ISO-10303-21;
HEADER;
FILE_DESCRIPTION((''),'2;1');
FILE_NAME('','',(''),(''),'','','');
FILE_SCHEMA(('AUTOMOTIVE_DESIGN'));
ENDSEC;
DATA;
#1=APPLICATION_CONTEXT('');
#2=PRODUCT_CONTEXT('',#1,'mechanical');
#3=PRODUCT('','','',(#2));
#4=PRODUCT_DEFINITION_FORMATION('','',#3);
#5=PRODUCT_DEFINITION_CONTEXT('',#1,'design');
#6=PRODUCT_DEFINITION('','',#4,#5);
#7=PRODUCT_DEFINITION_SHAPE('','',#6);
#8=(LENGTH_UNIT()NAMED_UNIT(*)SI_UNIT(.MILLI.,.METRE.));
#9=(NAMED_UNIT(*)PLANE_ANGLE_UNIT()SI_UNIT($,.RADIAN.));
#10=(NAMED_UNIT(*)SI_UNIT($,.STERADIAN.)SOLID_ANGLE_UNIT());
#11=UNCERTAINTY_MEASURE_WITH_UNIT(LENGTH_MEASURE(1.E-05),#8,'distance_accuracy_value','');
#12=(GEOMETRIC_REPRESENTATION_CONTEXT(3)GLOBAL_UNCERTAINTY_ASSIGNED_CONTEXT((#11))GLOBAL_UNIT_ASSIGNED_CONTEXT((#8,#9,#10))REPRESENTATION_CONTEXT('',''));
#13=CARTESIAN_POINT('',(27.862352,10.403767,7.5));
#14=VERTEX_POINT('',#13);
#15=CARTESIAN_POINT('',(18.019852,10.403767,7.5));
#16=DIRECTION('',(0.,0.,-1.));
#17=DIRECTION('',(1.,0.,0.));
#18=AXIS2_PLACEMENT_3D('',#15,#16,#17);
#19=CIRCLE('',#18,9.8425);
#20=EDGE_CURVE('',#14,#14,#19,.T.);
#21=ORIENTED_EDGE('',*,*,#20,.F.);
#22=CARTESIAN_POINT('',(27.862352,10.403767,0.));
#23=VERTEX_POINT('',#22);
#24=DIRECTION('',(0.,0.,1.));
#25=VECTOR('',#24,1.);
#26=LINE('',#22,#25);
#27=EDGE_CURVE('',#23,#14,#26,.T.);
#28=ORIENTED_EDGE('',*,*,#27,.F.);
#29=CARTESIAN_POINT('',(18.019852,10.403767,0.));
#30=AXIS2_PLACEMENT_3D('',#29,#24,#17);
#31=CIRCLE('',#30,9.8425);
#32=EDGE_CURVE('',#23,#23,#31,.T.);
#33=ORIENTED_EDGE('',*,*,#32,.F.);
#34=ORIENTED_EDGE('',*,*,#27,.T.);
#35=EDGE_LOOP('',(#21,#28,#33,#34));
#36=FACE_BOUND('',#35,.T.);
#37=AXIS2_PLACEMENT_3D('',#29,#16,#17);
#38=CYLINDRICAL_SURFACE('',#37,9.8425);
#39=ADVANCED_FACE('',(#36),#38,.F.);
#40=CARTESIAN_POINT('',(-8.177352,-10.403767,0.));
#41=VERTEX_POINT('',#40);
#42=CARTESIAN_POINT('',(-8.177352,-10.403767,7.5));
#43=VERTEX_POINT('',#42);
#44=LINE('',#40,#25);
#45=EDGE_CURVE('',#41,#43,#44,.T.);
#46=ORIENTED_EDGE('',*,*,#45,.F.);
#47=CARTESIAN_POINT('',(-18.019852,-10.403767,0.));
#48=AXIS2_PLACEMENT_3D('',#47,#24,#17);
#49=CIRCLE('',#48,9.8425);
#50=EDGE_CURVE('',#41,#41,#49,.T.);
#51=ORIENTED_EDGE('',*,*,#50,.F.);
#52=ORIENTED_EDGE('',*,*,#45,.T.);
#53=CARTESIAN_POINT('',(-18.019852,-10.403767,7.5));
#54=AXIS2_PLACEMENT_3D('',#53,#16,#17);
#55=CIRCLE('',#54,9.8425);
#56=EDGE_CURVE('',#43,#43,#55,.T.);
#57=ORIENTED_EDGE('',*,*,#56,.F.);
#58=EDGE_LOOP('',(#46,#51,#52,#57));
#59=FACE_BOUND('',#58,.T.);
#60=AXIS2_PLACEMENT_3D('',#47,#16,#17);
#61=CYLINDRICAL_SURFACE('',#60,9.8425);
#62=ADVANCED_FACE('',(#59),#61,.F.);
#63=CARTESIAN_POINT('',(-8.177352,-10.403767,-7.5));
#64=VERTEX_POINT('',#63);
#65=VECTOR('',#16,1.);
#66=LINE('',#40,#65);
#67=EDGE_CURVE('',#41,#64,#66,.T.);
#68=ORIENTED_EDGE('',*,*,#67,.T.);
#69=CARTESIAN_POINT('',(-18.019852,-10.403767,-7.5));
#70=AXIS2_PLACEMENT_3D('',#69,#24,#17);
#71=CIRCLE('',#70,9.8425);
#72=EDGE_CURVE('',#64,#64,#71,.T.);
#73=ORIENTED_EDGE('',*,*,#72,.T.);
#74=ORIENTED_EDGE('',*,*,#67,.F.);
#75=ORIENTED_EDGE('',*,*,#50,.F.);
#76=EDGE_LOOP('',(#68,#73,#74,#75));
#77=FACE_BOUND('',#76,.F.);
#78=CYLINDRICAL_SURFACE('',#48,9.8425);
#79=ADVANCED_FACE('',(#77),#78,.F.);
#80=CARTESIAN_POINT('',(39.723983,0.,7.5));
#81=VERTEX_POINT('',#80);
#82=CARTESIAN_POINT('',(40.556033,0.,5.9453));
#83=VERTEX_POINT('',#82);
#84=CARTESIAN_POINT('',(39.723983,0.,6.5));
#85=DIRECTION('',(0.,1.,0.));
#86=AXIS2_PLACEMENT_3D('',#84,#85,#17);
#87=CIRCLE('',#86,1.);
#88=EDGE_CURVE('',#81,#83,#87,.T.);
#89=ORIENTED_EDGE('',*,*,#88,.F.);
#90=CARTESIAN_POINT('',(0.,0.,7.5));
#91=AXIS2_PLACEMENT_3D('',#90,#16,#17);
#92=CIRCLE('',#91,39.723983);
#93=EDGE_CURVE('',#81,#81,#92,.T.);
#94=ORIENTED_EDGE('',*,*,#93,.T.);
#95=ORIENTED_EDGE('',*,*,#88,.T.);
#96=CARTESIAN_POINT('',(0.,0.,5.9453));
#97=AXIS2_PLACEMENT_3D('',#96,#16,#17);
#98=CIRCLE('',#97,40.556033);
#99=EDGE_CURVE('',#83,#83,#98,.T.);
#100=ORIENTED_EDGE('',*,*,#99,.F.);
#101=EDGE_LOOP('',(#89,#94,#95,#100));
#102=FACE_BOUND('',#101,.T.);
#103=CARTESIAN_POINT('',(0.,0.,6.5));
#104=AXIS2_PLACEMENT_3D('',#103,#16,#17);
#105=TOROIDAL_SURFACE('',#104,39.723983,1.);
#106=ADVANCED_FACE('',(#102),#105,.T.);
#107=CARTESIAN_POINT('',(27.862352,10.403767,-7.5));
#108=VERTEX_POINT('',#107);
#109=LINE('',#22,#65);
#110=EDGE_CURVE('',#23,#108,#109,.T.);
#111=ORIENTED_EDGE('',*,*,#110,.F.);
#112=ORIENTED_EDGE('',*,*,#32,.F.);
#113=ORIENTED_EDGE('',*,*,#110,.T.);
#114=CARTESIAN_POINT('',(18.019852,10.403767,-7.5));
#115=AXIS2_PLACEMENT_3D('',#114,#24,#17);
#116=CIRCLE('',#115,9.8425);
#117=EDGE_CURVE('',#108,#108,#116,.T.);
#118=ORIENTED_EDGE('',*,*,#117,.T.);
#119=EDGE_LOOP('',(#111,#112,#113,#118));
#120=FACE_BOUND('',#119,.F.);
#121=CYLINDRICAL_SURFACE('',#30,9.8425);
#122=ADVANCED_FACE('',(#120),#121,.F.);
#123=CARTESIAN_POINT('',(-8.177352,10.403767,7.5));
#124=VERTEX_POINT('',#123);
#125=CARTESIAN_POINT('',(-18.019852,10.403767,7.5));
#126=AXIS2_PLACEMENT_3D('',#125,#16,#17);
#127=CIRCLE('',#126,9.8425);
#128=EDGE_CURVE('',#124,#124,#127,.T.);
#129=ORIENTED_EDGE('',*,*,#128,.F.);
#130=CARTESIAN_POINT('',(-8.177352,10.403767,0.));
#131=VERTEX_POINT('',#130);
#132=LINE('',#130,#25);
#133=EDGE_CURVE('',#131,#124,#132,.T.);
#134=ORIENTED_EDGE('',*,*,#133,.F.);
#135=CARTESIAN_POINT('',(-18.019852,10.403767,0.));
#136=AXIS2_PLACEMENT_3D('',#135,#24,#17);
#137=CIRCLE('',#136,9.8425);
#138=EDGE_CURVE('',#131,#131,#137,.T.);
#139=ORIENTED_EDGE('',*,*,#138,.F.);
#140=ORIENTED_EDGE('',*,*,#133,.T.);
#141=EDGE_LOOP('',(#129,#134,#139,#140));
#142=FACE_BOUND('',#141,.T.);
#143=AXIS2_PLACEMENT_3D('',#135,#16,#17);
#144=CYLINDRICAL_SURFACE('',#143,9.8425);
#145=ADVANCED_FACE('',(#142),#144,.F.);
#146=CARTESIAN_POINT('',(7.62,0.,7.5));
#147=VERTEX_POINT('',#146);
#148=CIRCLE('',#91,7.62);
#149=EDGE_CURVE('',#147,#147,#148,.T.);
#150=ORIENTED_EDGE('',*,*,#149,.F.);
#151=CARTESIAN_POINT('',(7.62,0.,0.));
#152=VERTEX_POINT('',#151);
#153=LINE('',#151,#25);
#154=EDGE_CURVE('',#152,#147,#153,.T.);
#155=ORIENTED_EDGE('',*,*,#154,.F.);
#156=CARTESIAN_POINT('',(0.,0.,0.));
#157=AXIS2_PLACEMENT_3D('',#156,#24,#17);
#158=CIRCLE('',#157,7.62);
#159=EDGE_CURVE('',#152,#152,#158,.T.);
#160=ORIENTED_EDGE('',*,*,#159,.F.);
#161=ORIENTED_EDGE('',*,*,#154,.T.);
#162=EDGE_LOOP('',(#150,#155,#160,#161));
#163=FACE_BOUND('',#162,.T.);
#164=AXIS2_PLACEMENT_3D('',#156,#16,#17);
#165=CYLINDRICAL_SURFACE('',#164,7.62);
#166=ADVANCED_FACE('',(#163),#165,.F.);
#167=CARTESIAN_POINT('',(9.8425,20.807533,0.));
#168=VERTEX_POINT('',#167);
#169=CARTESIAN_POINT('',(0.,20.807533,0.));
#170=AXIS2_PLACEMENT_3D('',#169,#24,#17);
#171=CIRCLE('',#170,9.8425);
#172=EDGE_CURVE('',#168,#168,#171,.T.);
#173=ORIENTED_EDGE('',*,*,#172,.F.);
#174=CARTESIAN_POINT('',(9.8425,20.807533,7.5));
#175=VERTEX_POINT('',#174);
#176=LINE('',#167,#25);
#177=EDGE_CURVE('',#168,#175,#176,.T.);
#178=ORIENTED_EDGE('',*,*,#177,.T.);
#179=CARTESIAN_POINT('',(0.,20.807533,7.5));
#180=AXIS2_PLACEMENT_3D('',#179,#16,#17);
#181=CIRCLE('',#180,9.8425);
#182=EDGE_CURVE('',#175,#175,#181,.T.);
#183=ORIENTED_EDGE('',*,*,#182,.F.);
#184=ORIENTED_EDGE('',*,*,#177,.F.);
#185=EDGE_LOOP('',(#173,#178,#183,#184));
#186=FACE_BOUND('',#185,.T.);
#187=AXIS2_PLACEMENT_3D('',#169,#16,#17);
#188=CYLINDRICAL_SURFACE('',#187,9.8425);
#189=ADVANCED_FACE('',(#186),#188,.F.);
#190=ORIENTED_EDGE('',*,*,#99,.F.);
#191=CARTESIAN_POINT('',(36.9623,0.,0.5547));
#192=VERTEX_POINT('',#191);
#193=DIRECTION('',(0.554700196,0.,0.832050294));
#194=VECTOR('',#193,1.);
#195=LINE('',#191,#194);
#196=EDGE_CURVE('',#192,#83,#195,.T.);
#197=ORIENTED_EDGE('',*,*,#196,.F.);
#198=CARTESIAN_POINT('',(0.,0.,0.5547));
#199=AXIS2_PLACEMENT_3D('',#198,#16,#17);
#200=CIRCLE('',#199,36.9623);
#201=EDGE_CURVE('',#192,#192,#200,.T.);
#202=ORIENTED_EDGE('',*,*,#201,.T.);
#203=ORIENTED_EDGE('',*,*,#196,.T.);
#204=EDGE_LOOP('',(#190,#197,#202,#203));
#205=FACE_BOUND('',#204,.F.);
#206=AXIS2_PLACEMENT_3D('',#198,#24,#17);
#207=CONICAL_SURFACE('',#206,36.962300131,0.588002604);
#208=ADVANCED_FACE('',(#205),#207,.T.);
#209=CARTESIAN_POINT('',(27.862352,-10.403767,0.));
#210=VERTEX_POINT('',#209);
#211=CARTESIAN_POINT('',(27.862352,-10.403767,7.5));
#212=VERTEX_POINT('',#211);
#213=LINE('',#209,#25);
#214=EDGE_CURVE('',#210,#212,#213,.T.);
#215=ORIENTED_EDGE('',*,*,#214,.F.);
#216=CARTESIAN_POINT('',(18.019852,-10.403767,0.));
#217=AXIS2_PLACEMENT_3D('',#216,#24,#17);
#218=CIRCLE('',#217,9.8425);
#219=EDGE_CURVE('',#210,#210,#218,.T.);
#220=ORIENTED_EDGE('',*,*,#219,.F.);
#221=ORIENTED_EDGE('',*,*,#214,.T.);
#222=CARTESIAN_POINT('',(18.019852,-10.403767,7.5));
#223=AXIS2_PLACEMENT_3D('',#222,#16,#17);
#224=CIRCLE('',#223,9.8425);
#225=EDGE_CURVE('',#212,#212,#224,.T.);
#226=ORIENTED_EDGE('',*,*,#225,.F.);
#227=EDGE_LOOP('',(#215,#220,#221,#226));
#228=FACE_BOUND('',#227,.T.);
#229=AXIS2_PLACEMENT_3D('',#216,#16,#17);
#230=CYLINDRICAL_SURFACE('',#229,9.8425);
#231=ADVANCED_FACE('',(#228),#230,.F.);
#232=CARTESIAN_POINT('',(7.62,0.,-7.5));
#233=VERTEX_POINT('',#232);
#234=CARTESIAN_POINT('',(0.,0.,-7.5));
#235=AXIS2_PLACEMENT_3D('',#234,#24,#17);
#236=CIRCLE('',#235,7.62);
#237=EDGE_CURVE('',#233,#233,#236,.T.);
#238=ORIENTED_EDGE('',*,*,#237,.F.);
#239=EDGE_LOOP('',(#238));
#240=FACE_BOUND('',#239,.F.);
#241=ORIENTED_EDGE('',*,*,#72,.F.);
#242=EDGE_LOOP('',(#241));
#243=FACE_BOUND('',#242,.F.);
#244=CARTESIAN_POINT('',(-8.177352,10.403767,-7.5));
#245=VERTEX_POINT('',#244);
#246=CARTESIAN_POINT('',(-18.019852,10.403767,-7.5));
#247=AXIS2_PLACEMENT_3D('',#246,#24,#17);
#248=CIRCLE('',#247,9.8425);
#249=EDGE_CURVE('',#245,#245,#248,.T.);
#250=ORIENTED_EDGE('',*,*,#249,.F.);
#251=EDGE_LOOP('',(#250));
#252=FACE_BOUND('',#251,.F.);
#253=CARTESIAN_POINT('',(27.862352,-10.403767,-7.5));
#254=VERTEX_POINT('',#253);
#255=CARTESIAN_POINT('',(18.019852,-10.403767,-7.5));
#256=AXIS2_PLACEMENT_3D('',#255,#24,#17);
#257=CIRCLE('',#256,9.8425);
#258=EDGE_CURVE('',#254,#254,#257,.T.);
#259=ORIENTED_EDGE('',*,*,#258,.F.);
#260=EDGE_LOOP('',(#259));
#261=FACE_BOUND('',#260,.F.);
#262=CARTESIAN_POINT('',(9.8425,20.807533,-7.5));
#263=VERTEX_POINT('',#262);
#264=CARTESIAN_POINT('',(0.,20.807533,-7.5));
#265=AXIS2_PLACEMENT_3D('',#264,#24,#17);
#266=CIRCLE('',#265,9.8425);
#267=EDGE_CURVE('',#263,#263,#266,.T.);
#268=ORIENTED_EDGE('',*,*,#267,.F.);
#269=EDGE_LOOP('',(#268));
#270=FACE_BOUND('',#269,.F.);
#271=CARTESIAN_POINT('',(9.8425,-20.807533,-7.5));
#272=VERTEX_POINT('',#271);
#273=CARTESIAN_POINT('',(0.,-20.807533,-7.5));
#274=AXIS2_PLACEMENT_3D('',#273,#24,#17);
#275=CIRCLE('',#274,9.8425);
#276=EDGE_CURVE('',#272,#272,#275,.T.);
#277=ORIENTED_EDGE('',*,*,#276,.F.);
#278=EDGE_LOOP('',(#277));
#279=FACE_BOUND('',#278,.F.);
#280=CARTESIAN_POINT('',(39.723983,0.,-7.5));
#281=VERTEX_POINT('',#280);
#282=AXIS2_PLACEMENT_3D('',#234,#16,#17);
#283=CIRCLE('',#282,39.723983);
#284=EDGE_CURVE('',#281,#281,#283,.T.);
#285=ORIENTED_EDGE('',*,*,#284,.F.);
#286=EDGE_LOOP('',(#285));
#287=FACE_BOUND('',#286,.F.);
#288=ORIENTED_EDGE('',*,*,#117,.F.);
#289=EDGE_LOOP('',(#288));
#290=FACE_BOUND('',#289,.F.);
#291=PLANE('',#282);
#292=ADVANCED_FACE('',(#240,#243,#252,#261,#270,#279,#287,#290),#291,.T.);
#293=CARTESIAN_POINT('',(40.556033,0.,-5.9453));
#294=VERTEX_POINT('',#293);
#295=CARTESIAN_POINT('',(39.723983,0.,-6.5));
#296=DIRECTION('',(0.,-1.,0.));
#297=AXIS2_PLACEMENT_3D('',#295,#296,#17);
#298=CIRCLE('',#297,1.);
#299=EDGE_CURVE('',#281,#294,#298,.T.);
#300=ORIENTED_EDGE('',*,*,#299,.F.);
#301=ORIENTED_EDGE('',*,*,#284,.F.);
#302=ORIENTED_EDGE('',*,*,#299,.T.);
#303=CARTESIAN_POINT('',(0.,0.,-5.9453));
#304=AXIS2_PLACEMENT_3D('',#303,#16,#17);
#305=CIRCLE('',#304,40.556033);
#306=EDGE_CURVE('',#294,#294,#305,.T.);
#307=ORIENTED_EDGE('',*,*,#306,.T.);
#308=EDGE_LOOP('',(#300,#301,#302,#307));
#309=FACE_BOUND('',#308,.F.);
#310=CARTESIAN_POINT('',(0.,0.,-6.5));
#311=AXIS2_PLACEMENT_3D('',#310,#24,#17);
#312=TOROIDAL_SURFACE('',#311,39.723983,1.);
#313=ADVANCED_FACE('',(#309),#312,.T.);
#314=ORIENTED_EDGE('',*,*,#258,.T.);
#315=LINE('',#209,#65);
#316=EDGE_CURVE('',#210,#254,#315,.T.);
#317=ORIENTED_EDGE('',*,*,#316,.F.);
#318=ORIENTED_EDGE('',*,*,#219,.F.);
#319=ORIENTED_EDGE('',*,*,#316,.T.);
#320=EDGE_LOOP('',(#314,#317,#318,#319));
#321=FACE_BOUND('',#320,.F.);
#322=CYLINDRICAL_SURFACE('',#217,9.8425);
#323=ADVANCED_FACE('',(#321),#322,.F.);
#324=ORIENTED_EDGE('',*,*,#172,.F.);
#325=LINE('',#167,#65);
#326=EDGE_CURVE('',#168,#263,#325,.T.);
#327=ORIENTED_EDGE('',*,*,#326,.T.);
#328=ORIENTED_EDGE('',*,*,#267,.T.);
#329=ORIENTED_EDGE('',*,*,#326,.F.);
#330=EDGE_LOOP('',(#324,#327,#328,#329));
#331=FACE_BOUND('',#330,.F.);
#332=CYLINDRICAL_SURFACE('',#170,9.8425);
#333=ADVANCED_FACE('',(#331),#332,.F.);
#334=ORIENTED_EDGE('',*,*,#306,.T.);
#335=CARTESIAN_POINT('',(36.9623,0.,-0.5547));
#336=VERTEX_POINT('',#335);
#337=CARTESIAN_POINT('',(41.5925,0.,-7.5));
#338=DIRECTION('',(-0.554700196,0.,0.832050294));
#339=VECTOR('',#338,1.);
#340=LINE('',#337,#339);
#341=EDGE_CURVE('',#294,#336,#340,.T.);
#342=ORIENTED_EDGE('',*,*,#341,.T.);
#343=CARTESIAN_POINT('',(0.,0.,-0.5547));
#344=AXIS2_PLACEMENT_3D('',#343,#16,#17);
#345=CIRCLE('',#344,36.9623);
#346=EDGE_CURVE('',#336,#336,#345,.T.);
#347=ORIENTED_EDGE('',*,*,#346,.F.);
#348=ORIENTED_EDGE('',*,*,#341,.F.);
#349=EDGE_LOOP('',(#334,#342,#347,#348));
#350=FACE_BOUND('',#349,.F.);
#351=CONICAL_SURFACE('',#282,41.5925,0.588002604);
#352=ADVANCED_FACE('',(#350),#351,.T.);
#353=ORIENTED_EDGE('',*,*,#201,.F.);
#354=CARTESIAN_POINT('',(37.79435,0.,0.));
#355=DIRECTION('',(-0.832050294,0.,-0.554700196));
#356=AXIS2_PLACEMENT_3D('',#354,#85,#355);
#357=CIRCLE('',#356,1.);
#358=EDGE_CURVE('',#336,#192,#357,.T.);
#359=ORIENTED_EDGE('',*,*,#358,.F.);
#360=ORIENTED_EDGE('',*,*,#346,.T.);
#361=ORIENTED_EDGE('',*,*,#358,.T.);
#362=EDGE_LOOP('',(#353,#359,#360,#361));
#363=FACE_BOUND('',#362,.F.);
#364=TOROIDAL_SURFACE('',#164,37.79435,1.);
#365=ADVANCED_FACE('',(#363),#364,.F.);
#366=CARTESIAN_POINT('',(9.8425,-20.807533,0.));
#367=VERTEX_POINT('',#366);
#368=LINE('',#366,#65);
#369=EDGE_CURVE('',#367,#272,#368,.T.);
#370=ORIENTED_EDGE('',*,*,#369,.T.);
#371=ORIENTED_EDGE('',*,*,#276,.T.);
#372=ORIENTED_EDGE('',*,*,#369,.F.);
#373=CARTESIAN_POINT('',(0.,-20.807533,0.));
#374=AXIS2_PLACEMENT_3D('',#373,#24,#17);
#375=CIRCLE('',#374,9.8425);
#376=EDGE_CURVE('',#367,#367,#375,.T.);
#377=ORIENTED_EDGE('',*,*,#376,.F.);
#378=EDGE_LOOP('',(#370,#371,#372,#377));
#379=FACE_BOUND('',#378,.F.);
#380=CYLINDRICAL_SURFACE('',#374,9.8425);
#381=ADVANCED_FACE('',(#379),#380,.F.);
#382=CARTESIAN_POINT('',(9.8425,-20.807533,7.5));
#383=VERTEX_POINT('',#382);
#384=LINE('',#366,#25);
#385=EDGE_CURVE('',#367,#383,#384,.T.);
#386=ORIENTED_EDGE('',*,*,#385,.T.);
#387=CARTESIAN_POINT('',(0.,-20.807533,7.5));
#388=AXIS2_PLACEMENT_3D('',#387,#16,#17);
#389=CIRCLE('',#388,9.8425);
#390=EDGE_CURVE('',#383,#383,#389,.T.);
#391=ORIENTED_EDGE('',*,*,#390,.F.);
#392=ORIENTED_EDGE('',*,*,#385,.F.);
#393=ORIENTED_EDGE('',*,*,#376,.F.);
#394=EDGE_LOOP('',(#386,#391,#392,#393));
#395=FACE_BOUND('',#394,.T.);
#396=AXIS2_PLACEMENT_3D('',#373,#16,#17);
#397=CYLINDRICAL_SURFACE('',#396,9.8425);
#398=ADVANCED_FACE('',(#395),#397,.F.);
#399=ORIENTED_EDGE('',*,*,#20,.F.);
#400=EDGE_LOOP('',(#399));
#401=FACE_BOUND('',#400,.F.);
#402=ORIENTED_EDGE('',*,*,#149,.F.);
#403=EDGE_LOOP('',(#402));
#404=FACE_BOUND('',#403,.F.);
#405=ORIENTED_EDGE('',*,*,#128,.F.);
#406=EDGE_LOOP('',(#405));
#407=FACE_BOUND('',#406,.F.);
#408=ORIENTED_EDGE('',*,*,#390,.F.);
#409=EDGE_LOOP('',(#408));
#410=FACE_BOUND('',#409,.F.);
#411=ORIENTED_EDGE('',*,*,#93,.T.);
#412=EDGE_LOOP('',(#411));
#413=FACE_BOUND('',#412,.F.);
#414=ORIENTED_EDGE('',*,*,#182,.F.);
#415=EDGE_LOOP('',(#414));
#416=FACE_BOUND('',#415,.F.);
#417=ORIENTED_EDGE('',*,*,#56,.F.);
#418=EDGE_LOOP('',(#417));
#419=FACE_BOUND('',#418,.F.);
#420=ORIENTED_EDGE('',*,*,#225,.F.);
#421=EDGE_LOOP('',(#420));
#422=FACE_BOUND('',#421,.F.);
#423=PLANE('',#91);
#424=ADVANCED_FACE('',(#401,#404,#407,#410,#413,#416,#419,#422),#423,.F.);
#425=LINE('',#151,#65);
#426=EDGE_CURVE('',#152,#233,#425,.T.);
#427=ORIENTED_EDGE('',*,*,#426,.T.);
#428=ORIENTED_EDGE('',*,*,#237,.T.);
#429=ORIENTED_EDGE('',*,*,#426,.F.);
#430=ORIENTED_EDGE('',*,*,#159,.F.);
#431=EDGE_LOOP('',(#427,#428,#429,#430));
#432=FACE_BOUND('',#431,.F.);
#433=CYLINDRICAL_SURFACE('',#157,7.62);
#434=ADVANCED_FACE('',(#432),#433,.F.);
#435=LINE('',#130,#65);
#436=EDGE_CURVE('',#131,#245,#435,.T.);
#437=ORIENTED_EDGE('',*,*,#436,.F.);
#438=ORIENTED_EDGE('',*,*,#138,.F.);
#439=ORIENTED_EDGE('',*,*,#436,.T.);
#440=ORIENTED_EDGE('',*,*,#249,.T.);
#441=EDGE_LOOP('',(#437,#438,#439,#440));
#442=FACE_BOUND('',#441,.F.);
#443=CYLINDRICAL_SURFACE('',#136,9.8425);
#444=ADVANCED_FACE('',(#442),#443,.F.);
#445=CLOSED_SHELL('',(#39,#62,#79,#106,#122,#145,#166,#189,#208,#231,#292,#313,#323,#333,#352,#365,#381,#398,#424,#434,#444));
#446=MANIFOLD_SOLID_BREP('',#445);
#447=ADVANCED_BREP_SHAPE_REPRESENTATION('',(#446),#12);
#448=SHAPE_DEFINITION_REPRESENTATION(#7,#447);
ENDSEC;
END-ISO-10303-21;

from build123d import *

# Parameters (mm, degrees)
F2_R          = 1
F3_R          = 7.62
F3_R_2        = 9.8425
F4_DEPTH      = 7.501
F4_DEPTH_BACK = 7.501


with BuildPart() as f1:
    # F0 (on Front) → F1 (revolve)
    with BuildSketch(Plane.XZ):
        with BuildLine():
            Line((41.5925, 7.5), (0, 7.5))
            Line((0, 7.5), (0, -7.5))
            Line((0, -7.5), (41.5925, -7.5))
            Line((41.5925, -7.5), (36.9623001308, -0.5547001962))
            ThreePointArc((36.9623001308, -0.5547001962), (36.7943504252, 0), (36.9623001308, 0.5547001962))
            Line((36.9623001308, 0.5547001962), (41.5925, 7.5))
        make_face()
    revolve(axis=Axis((0, 0, 0), (0, 0, -1)))

    # F2
    f2_edges = [f1.edges().sort_by_distance(p)[0] for p in [
        (-41.5925, 0, 7.5),
        (-41.5925, 0, -7.5),
    ]]
    fillet(f2_edges, radius=F2_R)

    # F3 (on Top) → F4 (cut, two sides)
    with BuildSketch(Plane.XY) as f4_sk:
        Circle(F3_R)
        with Locations((0, 20.8075332025)):
            Circle(F3_R_2)
        with Locations((-18.0198523435, 10.4037666013)):
            Circle(F3_R_2)
        with Locations((-18.0198523435, -10.4037666013)):
            Circle(F3_R_2)
        with Locations((0, -20.8075332025)):
            Circle(F3_R_2)
        with Locations((18.0198523435, -10.4037666013)):
            Circle(F3_R_2)
        with Locations((18.0198523435, 10.4037666013)):
            Circle(F3_R_2)
    extrude(amount=-F4_DEPTH, mode=Mode.SUBTRACT)
    extrude(f4_sk.sketch, amount=F4_DEPTH_BACK, mode=Mode.SUBTRACT)


solid = f1.part
